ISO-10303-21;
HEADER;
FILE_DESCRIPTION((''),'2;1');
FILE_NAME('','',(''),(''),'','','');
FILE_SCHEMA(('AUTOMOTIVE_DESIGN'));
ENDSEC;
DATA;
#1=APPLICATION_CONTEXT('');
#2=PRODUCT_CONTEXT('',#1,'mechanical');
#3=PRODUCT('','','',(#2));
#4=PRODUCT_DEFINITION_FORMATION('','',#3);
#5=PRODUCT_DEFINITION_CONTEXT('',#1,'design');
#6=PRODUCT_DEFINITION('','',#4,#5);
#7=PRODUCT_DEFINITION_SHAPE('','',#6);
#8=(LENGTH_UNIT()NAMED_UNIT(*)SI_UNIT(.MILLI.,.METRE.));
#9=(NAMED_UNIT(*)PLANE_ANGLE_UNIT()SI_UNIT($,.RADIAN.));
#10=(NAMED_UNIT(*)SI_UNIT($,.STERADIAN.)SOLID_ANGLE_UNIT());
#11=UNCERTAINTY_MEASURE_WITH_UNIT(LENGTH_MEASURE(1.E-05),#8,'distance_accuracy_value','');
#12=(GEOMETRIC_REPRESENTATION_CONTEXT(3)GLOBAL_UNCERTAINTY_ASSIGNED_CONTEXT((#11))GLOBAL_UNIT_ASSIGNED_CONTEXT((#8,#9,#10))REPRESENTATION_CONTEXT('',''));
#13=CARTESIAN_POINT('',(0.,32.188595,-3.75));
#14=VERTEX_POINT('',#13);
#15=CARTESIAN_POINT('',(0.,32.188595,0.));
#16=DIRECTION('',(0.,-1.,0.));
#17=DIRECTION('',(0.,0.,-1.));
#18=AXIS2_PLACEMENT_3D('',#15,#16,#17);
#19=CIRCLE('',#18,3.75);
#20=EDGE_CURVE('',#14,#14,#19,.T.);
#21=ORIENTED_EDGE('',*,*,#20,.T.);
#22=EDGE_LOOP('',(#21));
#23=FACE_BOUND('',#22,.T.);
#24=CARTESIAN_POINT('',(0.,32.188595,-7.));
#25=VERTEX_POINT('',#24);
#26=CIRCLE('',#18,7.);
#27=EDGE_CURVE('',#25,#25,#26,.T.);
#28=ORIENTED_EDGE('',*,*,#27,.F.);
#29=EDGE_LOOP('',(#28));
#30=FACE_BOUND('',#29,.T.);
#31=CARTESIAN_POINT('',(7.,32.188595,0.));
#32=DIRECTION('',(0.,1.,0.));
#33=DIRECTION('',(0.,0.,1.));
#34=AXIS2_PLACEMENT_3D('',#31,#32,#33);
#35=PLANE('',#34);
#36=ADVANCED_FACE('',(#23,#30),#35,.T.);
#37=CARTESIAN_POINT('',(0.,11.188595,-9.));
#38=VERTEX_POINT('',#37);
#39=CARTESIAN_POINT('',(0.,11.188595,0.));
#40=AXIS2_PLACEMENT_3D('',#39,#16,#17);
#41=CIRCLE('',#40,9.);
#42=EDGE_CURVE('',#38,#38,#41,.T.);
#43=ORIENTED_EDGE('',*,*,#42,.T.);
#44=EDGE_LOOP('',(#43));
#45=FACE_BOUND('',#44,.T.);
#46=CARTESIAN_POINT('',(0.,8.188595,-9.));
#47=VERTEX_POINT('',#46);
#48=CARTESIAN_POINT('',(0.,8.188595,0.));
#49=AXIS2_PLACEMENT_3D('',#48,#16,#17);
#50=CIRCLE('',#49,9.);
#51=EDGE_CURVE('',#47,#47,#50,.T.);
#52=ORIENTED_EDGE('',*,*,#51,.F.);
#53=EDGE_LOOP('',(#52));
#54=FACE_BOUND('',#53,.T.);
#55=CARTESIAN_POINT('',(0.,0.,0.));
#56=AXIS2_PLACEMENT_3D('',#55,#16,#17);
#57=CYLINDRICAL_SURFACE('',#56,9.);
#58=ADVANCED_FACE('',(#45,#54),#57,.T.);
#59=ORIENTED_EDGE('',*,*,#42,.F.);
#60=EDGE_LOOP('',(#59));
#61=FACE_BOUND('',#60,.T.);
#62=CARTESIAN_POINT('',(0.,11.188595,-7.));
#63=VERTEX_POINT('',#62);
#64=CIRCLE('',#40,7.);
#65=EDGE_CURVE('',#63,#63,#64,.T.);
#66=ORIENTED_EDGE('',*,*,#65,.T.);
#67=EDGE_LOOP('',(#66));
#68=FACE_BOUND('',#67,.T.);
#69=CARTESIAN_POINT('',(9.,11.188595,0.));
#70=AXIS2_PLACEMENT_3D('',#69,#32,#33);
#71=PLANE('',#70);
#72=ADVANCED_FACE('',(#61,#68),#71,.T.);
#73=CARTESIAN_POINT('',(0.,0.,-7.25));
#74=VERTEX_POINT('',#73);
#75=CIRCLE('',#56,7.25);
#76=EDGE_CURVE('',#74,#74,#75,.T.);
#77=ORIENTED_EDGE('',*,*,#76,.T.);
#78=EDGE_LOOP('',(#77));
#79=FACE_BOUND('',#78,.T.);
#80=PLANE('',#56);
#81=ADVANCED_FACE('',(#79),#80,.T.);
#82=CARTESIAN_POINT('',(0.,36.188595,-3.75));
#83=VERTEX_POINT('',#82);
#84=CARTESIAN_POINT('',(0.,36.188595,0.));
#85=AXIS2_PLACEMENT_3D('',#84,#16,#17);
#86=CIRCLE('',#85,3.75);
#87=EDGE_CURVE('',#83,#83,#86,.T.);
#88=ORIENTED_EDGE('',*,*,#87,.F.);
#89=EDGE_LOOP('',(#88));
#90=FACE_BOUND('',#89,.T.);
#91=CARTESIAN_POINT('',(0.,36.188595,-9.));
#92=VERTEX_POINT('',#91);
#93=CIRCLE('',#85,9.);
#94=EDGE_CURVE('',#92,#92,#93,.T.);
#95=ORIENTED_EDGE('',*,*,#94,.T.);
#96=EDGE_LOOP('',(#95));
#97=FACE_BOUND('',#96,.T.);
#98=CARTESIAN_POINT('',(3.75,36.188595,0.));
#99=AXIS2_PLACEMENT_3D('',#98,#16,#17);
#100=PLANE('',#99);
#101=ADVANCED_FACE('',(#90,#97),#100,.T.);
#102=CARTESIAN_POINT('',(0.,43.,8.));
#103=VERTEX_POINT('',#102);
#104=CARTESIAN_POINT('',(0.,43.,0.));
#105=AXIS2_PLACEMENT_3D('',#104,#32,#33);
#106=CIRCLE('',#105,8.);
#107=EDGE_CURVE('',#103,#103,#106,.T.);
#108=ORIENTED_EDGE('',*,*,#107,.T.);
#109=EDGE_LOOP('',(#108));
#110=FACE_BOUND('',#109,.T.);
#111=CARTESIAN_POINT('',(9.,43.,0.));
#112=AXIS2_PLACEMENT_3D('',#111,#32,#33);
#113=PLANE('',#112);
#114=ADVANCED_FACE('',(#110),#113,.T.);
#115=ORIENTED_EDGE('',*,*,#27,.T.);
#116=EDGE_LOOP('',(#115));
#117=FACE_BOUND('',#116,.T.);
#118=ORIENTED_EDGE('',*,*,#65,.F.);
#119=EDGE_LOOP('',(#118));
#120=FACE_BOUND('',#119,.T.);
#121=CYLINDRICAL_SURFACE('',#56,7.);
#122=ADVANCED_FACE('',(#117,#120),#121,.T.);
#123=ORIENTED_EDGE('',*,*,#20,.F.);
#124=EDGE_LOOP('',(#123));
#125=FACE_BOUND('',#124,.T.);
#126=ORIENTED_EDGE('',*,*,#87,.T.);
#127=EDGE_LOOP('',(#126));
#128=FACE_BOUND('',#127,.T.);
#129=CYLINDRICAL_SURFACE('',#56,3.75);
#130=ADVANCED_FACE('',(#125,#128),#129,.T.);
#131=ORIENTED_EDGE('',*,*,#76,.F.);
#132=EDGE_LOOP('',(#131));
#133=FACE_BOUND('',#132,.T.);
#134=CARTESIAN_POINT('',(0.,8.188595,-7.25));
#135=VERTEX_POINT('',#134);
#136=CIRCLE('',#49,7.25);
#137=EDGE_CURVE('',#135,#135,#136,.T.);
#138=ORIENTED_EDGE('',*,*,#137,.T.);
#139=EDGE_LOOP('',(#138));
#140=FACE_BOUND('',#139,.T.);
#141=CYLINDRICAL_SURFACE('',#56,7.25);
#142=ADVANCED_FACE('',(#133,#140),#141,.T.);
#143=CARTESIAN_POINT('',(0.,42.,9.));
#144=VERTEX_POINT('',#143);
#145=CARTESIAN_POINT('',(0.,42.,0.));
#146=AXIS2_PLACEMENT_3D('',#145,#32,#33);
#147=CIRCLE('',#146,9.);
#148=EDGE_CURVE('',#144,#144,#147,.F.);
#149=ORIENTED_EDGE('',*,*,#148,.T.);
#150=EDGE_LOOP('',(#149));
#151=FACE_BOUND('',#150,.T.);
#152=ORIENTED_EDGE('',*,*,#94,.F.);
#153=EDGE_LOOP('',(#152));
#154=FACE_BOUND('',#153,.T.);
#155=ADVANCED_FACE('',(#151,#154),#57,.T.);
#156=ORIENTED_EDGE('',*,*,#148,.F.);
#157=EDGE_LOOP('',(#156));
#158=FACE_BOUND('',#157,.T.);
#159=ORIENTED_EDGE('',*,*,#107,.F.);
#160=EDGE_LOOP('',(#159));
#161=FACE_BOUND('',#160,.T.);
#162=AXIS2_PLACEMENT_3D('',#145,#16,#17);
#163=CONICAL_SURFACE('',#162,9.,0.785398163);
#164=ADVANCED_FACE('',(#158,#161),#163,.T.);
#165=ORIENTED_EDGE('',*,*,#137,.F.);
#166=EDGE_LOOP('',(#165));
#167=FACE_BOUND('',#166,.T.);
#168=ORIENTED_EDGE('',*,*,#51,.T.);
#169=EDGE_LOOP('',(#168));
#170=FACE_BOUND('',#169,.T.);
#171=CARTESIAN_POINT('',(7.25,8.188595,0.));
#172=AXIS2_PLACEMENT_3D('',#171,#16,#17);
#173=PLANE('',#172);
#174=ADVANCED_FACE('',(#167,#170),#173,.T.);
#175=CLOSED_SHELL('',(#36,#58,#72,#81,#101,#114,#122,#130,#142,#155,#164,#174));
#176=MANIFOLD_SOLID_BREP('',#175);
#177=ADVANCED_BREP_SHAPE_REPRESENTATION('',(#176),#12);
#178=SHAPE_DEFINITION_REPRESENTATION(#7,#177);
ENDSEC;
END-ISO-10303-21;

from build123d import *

# Parameters (mm, degrees)
CHAMFER1_SIZE = 1


with BuildPart() as part:
    # Sketch2 → Revolve5 (revolve)
    with BuildSketch(Plane.XY, mode=Mode.PRIVATE) as revolve5_sk:
        Polygon((0, 0), (7.25, 0), (7.25, 8.188595098), (9, 8.188595098), (9, 11.188595098), (7, 11.188595098), (7, 32.188595098), (3.75, 32.188595098), (3.75, 36.188595098), (9, 36.188595098), (9, 43), (0, 43), align=None)
    revolve(revolve5_sk.sketch.rotate(Axis((0, 0, 0), (0, 1, 0)), 90), axis=Axis((0, 0, 0), (0, 1, 0)))

    # Chamfer1
    chamfer1_edges = [part.edges().sort_by_distance(p)[0] for p in [
        (0, 43, 9),
    ]]
    chamfer(chamfer1_edges, length=CHAMFER1_SIZE)


solid = part.part
